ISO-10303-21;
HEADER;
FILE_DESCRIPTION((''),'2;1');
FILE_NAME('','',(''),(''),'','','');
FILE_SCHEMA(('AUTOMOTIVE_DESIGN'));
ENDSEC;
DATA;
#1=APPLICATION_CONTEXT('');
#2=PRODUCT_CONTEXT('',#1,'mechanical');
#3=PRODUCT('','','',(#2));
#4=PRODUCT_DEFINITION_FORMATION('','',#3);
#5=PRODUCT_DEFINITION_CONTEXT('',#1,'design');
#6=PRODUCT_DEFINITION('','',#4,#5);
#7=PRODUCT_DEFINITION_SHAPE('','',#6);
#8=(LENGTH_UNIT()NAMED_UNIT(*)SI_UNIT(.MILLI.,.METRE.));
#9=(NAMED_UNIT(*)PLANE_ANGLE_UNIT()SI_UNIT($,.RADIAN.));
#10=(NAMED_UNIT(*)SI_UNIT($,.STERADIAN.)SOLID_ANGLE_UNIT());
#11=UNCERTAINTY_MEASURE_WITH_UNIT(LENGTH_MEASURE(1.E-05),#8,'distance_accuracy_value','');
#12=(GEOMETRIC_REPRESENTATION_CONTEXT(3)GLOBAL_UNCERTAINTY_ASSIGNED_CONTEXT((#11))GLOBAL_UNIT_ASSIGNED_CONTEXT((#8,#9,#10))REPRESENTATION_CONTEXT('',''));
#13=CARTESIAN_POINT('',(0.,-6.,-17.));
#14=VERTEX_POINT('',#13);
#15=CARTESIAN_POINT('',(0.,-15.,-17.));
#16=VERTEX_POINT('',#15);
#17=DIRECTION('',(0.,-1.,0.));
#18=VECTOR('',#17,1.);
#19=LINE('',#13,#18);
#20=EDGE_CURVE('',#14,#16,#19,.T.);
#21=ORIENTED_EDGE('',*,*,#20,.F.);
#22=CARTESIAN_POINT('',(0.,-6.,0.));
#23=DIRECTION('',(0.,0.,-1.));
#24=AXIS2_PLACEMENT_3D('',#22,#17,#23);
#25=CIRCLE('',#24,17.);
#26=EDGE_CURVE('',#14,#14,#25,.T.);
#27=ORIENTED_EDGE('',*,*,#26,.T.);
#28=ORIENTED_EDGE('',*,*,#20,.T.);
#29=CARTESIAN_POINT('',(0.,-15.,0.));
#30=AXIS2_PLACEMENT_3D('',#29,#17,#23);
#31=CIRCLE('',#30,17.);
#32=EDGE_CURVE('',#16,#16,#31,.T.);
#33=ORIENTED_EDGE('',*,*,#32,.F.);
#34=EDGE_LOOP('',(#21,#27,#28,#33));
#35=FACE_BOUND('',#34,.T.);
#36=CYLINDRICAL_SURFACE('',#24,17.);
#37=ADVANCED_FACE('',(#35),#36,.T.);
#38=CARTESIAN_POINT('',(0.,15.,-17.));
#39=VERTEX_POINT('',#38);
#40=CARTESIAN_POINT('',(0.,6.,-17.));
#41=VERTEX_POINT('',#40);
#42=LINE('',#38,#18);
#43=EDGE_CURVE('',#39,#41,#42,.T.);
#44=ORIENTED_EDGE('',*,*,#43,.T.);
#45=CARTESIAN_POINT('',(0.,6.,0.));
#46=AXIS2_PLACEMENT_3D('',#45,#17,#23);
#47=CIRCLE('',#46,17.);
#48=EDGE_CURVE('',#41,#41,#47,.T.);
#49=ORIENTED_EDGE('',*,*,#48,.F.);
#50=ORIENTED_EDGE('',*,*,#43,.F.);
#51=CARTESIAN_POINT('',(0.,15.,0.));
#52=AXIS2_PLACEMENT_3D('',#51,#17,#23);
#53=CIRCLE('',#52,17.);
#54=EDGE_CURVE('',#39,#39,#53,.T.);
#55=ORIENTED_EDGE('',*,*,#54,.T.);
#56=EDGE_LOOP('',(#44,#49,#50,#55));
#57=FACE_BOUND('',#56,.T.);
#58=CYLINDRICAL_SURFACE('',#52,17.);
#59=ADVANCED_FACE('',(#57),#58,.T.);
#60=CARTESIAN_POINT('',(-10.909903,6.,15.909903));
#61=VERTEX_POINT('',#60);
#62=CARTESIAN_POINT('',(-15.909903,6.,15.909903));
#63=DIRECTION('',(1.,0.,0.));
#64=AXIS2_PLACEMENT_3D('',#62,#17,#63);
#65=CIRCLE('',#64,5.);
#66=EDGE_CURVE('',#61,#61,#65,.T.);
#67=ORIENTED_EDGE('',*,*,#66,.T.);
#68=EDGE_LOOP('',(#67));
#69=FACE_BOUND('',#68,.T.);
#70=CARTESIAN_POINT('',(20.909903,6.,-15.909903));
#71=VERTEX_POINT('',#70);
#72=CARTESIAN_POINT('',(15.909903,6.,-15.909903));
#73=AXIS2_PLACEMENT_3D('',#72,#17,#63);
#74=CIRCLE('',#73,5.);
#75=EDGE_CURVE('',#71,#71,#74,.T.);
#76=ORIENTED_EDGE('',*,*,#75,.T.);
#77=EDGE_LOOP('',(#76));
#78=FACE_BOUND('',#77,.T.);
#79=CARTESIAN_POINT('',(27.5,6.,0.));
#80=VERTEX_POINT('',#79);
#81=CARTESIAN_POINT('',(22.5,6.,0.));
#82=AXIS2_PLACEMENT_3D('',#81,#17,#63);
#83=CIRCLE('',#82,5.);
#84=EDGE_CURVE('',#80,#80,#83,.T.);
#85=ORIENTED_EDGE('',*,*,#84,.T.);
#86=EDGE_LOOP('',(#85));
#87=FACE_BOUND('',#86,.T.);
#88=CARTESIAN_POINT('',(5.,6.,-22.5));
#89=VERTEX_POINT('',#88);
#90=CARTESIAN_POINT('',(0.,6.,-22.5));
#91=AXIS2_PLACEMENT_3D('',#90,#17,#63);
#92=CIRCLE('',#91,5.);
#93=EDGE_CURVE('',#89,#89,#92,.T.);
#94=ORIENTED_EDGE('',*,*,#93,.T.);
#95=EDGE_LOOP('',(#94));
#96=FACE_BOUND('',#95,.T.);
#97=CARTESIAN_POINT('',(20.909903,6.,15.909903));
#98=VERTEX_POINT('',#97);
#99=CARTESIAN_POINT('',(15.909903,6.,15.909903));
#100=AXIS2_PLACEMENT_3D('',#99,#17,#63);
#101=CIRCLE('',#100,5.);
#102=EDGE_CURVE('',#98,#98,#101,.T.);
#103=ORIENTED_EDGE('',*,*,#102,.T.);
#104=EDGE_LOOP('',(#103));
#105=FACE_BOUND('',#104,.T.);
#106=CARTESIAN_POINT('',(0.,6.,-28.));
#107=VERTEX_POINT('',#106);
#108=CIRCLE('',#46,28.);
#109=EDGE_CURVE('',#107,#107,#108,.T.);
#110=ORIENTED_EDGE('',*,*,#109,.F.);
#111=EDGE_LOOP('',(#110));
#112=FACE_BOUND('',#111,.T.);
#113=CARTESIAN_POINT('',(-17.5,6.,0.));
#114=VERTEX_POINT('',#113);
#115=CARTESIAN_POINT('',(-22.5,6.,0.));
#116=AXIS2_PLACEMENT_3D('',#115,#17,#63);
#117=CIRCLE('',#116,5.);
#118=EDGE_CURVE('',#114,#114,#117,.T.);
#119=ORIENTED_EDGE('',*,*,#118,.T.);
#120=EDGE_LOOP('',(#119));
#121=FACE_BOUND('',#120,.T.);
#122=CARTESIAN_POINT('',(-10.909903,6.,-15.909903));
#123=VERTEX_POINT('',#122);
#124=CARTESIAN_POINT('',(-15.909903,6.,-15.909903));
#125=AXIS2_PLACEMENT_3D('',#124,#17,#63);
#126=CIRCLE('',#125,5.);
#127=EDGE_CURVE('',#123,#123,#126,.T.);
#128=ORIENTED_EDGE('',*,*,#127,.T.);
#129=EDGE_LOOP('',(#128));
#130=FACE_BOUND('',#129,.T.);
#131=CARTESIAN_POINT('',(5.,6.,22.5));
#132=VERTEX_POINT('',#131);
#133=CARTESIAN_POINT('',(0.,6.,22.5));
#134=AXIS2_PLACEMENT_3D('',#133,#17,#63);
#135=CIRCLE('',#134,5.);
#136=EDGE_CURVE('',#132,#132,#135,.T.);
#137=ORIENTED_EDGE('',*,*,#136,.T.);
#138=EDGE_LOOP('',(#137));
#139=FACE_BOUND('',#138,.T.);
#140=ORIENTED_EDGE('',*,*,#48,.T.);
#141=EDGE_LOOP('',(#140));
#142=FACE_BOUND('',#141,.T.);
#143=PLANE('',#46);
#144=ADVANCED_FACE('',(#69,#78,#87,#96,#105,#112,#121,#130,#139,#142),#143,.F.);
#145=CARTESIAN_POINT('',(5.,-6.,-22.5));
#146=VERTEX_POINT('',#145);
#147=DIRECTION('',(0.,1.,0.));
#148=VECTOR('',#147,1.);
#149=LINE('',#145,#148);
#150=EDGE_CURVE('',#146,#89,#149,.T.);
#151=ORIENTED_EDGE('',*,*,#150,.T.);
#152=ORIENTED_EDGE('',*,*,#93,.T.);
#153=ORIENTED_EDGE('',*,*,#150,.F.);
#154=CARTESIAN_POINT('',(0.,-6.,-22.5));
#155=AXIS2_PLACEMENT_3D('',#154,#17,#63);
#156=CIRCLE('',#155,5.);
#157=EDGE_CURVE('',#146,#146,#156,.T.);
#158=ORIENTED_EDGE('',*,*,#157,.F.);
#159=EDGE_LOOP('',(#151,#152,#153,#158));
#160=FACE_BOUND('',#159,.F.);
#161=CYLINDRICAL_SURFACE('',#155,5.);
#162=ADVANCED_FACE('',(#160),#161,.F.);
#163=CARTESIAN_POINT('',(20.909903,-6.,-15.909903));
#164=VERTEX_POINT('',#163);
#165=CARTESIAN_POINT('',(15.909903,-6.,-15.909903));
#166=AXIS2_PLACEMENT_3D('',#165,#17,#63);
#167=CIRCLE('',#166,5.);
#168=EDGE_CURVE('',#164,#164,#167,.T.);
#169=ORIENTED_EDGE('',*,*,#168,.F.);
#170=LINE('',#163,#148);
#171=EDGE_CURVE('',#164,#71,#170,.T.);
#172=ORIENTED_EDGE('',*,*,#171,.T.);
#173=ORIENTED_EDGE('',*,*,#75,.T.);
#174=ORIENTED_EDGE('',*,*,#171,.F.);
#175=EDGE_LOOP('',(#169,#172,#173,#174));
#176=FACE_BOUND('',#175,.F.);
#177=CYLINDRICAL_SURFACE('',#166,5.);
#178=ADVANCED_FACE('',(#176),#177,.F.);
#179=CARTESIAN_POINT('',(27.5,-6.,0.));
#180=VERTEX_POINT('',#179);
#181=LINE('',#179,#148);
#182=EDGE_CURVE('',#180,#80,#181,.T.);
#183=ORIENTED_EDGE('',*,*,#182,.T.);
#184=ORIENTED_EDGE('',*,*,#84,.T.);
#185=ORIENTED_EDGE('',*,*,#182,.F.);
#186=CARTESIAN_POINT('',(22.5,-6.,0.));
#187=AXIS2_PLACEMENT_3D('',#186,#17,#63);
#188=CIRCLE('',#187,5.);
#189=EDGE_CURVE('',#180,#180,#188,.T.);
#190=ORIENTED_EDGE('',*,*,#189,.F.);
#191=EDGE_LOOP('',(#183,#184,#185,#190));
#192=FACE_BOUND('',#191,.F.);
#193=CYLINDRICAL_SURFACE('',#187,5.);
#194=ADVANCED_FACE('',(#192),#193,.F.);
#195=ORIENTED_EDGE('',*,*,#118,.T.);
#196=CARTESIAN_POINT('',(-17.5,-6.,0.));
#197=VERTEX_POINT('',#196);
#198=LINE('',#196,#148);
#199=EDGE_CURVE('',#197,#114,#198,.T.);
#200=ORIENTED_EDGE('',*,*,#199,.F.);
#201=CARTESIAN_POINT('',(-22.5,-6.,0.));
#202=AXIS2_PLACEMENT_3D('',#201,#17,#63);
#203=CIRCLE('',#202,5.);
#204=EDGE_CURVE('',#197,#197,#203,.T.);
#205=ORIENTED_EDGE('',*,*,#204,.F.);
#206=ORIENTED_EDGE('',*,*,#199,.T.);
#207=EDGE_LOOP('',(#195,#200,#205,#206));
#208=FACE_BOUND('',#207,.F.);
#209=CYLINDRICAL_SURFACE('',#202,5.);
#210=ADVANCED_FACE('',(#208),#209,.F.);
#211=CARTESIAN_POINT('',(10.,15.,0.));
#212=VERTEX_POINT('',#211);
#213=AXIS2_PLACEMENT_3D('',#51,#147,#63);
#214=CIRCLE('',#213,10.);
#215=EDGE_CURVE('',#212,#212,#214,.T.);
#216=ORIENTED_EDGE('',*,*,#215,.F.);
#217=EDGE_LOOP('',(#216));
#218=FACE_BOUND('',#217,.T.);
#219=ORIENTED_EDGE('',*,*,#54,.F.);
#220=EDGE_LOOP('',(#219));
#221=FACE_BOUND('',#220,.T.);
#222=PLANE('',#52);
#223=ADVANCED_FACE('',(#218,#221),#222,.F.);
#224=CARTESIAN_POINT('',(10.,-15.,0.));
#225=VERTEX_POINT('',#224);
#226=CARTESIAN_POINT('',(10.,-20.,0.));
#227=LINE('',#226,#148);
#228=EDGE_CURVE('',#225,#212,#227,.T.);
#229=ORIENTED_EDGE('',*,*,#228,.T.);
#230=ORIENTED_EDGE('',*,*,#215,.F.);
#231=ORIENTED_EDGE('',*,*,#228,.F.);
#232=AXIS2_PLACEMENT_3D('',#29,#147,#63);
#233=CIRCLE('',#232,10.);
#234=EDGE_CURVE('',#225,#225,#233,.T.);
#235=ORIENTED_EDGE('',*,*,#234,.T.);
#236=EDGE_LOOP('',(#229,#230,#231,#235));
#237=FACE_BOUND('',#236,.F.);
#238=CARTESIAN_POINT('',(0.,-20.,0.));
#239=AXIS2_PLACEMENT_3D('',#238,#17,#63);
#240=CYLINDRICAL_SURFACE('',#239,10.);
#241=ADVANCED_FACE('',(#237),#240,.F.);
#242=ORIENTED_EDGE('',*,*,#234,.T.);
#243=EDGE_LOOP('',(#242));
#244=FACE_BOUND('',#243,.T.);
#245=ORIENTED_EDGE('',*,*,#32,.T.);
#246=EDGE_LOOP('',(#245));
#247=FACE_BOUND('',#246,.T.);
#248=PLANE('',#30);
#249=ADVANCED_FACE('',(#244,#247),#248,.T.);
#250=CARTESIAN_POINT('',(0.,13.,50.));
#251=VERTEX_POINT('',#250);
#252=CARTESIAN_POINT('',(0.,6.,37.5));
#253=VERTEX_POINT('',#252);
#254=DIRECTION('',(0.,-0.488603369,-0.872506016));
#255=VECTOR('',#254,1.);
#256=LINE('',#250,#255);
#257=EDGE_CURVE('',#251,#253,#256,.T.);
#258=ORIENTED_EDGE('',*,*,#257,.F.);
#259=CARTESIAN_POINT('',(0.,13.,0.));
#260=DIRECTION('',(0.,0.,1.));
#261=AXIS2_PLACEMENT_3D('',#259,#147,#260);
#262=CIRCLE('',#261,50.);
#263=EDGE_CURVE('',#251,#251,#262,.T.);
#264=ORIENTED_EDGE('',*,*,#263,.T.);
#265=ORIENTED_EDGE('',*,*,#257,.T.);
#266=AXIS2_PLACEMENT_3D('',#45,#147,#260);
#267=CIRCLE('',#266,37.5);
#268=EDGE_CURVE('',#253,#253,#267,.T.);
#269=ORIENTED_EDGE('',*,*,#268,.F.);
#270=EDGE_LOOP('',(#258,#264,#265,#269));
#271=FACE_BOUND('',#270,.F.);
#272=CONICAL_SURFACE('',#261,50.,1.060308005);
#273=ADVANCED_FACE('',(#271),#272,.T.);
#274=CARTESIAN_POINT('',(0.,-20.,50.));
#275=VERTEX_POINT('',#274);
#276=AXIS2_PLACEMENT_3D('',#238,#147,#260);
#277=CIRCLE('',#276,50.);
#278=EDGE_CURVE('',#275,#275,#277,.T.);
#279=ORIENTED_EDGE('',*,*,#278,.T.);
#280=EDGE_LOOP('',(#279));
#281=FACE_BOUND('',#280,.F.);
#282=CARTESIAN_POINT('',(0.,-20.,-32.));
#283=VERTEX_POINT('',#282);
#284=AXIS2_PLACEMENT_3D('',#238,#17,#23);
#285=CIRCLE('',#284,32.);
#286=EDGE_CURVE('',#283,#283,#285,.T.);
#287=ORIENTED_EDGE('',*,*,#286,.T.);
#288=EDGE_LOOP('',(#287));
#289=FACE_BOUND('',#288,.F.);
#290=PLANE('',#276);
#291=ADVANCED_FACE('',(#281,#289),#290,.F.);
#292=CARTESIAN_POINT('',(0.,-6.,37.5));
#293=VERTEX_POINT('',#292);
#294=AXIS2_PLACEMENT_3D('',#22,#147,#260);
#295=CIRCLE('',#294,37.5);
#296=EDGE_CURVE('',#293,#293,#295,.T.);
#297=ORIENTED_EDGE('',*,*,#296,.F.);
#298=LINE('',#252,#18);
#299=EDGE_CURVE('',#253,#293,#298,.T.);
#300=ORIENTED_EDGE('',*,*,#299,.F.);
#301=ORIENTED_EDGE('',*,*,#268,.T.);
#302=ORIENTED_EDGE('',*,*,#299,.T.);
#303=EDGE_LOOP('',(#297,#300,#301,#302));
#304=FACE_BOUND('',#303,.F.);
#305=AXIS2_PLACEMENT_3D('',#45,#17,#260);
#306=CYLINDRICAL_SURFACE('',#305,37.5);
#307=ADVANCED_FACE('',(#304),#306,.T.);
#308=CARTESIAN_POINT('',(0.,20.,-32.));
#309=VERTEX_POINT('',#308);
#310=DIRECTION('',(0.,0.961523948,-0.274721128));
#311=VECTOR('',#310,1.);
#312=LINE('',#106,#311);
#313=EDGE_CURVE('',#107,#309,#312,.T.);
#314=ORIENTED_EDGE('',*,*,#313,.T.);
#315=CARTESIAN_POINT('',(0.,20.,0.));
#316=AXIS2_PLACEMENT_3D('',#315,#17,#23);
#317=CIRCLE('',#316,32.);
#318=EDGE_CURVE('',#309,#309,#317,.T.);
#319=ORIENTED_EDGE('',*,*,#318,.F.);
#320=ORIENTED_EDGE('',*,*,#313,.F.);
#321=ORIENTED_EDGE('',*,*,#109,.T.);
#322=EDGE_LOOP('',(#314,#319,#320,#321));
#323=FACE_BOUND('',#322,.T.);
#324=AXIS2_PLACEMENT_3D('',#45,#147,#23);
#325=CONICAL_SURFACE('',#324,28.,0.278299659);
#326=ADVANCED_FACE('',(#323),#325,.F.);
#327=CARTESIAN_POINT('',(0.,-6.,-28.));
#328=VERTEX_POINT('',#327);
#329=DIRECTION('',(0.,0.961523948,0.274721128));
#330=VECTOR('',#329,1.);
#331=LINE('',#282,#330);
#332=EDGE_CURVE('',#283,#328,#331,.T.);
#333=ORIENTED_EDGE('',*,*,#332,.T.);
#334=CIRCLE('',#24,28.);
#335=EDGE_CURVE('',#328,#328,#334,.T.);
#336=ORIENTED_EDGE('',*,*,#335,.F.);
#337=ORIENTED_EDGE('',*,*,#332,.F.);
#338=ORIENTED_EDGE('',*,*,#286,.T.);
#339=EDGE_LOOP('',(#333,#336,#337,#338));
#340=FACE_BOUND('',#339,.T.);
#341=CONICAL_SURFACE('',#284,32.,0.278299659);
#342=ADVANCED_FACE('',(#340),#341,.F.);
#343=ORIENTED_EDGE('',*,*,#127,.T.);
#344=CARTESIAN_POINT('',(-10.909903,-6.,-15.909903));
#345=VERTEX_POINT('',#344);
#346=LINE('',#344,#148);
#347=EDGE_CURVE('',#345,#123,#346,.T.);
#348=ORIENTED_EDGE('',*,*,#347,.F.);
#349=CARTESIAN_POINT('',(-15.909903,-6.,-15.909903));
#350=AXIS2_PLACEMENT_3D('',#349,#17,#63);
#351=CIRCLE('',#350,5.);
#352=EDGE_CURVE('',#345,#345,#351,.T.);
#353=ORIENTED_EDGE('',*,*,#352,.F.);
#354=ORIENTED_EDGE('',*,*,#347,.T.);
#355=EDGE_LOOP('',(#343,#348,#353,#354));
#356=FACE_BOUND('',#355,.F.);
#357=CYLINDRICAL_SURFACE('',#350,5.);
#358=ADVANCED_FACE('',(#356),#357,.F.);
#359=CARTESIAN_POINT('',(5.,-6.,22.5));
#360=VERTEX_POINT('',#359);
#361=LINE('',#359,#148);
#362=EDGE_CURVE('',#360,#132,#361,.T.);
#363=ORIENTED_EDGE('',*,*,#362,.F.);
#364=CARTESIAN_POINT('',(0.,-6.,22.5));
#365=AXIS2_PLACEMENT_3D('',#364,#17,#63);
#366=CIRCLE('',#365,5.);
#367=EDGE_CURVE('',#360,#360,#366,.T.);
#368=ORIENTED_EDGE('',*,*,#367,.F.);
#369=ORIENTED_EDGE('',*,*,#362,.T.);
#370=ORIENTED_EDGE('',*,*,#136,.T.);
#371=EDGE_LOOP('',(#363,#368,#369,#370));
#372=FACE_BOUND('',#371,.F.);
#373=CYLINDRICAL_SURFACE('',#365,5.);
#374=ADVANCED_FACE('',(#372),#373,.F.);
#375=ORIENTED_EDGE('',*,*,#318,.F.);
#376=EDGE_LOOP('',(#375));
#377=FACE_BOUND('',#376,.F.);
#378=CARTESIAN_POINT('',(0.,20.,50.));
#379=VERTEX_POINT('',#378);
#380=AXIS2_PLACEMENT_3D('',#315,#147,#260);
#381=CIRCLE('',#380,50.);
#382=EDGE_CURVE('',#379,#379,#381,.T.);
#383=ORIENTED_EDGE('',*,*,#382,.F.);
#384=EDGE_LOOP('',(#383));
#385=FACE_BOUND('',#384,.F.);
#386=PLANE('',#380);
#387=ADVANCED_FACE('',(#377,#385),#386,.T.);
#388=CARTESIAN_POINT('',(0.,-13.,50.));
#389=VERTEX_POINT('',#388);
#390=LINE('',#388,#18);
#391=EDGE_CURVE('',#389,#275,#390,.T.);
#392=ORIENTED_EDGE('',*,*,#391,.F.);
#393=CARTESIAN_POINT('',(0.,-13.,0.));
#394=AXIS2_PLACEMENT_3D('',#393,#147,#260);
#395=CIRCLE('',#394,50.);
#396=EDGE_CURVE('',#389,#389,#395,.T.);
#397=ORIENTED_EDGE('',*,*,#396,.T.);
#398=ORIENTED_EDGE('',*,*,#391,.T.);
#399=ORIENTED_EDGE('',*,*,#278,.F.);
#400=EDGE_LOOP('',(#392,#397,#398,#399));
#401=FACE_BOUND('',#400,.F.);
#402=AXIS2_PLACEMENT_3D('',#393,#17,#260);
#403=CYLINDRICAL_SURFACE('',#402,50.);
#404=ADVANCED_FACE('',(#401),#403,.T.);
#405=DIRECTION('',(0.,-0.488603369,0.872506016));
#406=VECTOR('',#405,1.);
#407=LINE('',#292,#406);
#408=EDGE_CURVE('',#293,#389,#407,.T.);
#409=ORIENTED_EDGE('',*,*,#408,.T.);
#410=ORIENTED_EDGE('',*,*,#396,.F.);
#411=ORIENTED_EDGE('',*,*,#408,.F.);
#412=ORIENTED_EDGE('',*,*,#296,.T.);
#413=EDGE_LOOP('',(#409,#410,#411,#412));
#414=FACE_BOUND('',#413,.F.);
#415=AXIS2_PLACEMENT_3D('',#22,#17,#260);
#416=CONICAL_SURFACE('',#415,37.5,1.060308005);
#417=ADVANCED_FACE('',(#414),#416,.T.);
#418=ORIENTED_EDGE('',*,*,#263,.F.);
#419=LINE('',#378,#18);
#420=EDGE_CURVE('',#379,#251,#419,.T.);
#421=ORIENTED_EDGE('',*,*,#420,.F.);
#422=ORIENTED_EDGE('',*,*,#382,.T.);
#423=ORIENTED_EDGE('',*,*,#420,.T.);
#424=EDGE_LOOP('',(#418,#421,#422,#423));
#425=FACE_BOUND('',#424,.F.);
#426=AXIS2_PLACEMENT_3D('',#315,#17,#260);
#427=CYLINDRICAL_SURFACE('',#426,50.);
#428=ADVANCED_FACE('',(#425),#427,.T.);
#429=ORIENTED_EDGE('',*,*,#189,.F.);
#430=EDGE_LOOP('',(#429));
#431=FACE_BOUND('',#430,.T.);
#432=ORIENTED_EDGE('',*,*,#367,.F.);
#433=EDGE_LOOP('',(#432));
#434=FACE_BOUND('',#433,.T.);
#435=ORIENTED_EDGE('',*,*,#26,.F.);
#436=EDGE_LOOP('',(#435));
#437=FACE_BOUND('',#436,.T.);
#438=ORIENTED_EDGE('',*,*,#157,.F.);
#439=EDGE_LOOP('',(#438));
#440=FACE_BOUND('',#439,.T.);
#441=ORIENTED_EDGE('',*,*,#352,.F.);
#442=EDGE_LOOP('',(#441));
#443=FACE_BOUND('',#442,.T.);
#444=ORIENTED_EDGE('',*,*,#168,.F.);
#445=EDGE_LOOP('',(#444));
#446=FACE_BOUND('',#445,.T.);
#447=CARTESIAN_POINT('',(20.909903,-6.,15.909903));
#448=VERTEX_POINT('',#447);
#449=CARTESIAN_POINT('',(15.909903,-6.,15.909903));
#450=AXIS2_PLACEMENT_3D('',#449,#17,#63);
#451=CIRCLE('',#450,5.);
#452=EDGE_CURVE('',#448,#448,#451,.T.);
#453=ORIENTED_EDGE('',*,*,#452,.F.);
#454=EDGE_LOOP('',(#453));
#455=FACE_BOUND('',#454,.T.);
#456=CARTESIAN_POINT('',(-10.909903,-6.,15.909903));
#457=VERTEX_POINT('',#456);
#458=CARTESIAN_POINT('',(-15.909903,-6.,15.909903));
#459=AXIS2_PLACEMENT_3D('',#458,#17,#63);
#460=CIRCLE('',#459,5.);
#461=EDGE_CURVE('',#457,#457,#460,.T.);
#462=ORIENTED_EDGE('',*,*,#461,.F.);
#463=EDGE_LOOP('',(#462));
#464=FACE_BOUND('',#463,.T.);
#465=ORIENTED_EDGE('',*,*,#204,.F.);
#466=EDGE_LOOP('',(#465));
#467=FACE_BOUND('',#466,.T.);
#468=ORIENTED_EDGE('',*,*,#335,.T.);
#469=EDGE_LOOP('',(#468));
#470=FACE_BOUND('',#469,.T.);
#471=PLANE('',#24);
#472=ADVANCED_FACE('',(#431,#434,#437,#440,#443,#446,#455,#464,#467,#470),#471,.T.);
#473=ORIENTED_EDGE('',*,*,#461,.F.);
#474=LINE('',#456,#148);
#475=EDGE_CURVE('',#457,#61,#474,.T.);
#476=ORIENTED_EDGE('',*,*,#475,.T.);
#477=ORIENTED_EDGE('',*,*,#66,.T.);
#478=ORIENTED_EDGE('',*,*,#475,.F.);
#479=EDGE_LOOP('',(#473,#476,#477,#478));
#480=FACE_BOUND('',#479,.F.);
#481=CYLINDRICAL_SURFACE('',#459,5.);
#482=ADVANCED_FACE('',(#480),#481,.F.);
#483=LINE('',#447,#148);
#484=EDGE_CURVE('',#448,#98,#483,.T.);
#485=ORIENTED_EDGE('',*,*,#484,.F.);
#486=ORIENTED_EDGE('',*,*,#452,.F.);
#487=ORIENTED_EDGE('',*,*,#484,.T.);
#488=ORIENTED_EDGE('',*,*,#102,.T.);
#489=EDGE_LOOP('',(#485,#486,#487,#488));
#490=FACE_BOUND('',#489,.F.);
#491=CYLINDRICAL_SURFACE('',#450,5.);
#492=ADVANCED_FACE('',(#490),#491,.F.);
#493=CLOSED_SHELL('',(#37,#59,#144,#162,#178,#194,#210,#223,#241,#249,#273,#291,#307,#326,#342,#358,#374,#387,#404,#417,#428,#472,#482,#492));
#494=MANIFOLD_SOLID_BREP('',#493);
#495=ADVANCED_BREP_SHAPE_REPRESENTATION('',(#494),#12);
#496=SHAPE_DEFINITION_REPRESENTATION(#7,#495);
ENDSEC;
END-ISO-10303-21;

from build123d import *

# Parameters (mm, degrees)
F2_R     = 10
F3_DEPTH = 40
F6_R     = 5
F7_DEPTH = 25


with BuildPart() as f1:
    # F0 (on Right) → F1 (revolve)
    with BuildSketch(Plane.YZ):
        Polygon((-20, 50), (-20, 0), (20, 0), (20, 50), (13, 50), (6, 37.5), (0, 37.5), (-6, 37.5), (-13, 50), align=None)
    revolve(axis=Axis((0, 0, 0), (0, 1, 0)))

    # F2 (on face) → F3 (cut)
    with BuildSketch(Plane.XZ.offset(20)):
        Circle(F2_R)
    extrude(amount=-F3_DEPTH, mode=Mode.SUBTRACT)

    # F4 (on Right) → F5 (revolve, cut)
    with BuildSketch(Plane.YZ):
        Polygon((-15, -10), (-20, -10), (-20, -32), (-6, -28), (-6, -17), (-15, -17), align=None)
        Polygon((15, -17), (6, -17), (6, -28), (20, -32), (20, -10), (15, -10), align=None)
    revolve(axis=Axis((0, -10, 0), (0, -1, 0)), mode=Mode.SUBTRACT)

    # F6 (on face) → F7 (cut)
    with BuildSketch(Plane.XZ.offset(6)):
        with Locations((-15.909903, 15.909903)):
            Circle(F6_R)
        with Locations((0, 22.5)):
            Circle(F6_R)
        with Locations((15.909903, 15.909903)):
            Circle(F6_R)
        with Locations((-22.5, 0)):
            Circle(F6_R)
        with Locations((-15.909903, -15.909903)):
            Circle(F6_R)
        with Locations((0, -22.5)):
            Circle(F6_R)
        with Locations((15.909903, -15.909903)):
            Circle(F6_R)
        with Locations((22.5, 0)):
            Circle(F6_R)
    extrude(amount=-F7_DEPTH, mode=Mode.SUBTRACT)


solid = f1.part
